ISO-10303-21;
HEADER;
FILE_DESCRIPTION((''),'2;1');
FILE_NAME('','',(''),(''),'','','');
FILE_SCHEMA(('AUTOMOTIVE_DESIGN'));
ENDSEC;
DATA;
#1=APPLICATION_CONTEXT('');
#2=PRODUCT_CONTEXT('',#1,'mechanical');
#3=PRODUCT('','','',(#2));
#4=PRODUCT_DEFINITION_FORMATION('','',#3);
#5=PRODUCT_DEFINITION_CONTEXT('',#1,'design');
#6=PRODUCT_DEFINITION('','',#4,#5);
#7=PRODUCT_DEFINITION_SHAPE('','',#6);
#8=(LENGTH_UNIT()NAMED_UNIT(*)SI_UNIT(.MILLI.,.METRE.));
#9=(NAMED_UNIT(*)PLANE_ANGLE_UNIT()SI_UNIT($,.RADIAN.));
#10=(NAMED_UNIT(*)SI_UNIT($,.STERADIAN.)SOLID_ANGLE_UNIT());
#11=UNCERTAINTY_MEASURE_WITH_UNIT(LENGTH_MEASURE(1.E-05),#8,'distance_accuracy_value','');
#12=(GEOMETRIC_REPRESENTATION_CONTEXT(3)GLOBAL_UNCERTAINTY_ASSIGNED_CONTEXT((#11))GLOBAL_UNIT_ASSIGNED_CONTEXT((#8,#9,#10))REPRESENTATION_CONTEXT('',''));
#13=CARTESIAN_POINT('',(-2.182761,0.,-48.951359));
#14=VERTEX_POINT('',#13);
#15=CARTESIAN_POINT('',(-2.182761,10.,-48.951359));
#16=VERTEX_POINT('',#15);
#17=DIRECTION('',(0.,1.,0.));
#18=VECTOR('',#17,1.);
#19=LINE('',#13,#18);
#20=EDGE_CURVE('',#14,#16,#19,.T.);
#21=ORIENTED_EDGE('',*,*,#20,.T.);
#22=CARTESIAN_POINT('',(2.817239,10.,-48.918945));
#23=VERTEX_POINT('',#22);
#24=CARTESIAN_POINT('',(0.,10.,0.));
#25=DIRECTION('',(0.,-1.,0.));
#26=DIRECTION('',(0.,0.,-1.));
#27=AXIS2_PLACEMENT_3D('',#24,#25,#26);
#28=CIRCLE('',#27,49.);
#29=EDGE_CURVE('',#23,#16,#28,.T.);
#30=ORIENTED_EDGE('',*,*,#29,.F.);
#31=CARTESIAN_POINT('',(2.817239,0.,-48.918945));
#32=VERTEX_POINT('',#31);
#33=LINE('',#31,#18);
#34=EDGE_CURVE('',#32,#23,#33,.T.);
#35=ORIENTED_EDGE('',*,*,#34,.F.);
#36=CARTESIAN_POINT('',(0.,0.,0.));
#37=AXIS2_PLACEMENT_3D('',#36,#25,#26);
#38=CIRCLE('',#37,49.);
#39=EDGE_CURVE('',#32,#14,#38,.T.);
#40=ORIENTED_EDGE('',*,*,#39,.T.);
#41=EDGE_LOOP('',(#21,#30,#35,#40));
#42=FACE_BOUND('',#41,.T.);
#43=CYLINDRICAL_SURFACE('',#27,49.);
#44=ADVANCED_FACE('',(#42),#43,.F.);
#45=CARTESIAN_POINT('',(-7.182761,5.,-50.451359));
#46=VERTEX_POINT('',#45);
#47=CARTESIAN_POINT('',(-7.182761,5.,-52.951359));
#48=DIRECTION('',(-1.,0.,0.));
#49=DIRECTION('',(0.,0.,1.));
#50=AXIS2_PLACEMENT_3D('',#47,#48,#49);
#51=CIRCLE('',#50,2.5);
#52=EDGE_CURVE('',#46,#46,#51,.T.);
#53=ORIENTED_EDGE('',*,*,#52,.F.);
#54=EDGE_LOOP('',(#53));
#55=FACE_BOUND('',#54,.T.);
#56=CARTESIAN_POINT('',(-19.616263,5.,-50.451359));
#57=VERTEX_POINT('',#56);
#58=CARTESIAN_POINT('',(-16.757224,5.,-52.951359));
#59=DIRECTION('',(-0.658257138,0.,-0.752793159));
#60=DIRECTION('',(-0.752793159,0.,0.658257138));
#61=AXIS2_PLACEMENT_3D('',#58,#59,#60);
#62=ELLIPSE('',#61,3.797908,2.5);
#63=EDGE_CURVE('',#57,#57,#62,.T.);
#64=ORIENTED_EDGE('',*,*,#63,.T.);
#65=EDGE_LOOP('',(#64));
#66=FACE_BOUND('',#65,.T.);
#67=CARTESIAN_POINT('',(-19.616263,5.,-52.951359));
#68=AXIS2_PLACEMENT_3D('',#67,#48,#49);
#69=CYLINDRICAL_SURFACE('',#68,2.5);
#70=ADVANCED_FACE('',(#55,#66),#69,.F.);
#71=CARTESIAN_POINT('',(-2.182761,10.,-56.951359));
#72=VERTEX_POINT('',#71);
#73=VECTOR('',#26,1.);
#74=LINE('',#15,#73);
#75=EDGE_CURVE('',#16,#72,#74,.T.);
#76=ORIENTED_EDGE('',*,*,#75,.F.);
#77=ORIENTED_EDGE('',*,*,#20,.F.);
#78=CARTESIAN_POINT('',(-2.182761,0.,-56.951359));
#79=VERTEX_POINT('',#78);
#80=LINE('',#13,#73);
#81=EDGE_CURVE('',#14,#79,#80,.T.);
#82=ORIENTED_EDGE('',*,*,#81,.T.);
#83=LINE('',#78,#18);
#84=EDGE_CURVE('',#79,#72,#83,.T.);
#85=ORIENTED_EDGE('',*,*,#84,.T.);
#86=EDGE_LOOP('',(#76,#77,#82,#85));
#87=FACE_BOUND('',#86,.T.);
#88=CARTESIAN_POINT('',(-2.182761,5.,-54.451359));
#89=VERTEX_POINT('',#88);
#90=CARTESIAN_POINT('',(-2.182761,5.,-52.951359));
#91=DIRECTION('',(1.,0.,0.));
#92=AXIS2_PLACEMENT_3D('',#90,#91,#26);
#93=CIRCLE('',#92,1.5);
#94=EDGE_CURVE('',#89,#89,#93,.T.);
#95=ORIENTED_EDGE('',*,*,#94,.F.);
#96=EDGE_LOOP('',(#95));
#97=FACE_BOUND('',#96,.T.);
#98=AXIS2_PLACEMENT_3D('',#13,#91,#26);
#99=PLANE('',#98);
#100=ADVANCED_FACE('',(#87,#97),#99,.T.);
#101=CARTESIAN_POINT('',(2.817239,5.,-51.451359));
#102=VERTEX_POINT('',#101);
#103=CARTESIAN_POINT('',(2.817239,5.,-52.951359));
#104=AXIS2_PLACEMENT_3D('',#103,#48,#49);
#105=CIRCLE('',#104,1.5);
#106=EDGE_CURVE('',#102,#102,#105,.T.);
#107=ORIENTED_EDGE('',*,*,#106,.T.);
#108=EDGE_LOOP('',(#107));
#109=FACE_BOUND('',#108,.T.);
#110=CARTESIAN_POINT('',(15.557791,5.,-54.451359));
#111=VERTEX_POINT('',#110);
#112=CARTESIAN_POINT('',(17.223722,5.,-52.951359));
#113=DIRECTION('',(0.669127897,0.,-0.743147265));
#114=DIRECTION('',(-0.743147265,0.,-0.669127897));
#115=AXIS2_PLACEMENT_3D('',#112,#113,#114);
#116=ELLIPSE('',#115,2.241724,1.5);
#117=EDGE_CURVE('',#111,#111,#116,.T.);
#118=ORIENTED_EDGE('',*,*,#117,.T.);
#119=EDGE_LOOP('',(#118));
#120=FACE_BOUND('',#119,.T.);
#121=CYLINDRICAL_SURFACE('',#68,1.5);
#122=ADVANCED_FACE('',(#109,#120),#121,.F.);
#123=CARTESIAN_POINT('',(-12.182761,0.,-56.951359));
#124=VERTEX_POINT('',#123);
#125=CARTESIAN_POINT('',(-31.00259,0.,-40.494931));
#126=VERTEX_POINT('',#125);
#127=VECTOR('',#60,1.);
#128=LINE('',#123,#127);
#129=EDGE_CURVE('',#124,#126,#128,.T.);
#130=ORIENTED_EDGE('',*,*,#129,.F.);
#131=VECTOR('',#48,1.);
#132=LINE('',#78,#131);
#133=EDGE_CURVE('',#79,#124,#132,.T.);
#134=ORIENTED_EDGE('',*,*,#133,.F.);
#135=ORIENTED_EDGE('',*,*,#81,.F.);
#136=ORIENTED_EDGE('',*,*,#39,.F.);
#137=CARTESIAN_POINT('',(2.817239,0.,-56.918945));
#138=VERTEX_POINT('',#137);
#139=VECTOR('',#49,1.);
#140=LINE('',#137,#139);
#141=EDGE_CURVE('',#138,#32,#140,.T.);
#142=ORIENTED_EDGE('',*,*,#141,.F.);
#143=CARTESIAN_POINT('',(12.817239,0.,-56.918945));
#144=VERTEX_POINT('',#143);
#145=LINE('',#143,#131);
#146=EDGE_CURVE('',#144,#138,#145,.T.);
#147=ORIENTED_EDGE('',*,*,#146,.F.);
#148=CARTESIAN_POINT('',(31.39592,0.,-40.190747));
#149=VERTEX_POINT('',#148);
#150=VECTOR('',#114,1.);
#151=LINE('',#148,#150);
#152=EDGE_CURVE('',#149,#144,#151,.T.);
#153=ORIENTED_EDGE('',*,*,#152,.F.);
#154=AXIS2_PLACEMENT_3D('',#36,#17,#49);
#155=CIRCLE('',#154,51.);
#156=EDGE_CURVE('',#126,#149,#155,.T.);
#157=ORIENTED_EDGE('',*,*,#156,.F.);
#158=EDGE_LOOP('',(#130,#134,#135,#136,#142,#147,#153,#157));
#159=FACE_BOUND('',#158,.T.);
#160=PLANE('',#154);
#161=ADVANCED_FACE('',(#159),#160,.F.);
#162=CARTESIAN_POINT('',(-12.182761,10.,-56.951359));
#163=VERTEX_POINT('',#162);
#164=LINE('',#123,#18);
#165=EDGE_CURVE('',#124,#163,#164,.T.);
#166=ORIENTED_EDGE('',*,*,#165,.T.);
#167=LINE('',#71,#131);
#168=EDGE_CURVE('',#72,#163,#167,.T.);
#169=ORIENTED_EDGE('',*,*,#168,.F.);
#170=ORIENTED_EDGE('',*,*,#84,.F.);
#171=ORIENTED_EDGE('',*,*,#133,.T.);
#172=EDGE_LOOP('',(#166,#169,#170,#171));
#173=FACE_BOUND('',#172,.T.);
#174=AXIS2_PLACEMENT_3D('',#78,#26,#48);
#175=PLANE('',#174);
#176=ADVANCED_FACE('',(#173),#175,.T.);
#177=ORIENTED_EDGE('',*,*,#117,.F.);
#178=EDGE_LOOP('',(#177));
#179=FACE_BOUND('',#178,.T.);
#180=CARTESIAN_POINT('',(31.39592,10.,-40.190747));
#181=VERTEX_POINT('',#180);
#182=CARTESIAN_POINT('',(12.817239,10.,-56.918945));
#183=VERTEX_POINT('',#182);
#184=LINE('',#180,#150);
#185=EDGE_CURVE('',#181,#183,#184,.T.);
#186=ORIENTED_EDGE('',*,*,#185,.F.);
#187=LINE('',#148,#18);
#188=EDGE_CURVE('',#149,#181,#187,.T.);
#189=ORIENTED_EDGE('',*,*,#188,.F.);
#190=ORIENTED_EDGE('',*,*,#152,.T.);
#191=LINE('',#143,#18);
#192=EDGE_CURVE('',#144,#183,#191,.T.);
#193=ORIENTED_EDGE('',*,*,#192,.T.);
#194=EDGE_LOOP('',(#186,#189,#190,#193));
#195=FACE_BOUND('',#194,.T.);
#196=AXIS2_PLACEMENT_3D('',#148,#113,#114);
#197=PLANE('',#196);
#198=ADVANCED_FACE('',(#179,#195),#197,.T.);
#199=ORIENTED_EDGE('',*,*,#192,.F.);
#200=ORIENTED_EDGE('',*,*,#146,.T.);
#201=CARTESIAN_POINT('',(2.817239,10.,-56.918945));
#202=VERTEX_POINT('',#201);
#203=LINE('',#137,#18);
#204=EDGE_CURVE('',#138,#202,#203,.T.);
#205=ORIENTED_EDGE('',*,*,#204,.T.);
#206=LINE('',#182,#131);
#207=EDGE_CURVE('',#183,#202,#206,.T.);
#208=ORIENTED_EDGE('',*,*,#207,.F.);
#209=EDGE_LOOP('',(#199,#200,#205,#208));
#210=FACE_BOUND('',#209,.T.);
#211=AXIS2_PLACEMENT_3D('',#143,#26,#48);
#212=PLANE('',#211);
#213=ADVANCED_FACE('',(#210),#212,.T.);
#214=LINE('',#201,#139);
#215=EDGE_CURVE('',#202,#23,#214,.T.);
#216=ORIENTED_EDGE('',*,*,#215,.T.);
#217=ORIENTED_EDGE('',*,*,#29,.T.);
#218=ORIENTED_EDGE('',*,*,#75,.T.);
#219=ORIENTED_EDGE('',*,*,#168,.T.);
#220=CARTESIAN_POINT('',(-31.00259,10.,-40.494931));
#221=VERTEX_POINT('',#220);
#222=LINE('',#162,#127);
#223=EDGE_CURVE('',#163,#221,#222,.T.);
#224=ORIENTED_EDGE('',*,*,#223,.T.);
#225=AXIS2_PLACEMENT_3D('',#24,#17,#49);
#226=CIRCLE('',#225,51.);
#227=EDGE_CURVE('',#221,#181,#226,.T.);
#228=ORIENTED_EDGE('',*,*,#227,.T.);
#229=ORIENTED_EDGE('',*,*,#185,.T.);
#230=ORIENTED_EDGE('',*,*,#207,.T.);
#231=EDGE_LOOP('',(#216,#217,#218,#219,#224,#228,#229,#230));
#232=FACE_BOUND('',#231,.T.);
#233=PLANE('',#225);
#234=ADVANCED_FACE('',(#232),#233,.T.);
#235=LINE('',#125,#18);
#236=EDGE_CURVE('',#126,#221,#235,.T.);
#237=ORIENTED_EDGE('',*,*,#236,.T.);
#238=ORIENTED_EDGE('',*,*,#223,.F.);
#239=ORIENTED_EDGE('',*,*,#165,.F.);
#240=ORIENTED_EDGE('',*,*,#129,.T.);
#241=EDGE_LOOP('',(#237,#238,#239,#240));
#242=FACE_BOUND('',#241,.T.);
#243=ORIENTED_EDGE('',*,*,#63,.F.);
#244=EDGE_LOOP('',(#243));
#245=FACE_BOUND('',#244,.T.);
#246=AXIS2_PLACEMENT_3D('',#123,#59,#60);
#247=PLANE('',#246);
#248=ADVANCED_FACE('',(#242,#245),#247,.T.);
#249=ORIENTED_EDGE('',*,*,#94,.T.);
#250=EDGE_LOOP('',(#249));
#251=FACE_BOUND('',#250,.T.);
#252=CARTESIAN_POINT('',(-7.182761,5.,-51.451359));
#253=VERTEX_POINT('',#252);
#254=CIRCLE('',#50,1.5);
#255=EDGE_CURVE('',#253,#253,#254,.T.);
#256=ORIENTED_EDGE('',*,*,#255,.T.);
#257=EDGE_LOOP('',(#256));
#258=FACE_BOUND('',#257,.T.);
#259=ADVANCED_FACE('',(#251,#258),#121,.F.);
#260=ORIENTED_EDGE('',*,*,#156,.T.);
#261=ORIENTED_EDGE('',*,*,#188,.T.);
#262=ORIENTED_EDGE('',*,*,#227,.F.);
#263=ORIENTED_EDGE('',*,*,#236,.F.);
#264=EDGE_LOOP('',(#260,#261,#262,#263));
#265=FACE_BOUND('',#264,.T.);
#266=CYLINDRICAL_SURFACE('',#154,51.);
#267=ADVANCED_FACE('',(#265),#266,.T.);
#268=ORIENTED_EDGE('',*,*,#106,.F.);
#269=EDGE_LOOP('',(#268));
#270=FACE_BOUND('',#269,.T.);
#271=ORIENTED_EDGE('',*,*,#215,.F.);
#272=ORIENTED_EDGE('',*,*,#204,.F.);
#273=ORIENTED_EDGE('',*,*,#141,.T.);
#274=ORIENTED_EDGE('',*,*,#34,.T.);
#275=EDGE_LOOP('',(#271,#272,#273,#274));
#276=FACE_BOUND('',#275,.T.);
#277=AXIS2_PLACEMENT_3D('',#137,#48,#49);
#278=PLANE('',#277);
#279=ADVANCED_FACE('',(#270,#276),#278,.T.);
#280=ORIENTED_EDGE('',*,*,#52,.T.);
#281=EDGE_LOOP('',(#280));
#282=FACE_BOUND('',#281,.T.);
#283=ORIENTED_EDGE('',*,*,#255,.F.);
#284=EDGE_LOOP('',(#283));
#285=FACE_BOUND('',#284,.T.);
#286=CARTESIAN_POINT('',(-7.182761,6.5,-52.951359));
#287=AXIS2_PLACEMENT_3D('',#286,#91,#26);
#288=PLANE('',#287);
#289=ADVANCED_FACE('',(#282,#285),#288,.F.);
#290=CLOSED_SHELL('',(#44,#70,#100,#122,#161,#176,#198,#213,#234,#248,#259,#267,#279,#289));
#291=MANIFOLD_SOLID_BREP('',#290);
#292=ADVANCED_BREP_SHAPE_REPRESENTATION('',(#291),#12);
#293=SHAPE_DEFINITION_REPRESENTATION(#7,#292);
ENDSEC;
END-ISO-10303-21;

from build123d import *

# Parameters (mm, degrees)
BOSS_EXTRUDE1_DEPTH                                = 10
SKETCH2_W                                          = 49
SKETCH2_H                                          = 10
SKETCH3_W                                          = 1.25
SKETCH3_H                                          = 48.182761149
CBORE_FOR_M2_5_HEX_HEAD_MACHINE_SCREW1_D           = 3
CBORE_FOR_M2_5_HEX_HEAD_MACHINE_SCREW1_DEPTH       = 70.616262821
CBORE_FOR_M2_5_HEX_HEAD_MACHINE_SCREW1_CBORE_D     = 5
CBORE_FOR_M2_5_HEX_HEAD_MACHINE_SCREW1_CBORE_DEPTH = 12.433501671


with BuildPart() as part:
    # Sketch1 → Boss-Extrude1 (new body)
    with BuildSketch(Plane(origin=(0, 10, 0), x_dir=(1, 0, 0), z_dir=(0, 1, 0))):
        with BuildLine():
            Line((2.817238851, 56.91894485), (2.817238851, 48.91894485))
            ThreePointArc((2.817238851, 48.91894485), (0.317652576, 48.998970365), (-2.182761149, 48.951359059))
            Line((-2.182761149, 48.951359059), (-2.182761149, 56.951359059))
            Line((-2.182761149, 56.951359059), (-12.182761149, 56.951359059))
            Line((-12.182761149, 56.951359059), (-31.002590128, 40.494930613))
            ThreePointArc((-31.002590128, 40.494930613), (-0.248614246, -50.999394025), (31.395920468, 40.190747417))
            Line((31.395920468, 40.190747417), (12.817238851, 56.91894485))
            Line((12.817238851, 56.91894485), (2.817238851, 56.91894485))
        make_face()
    extrude(amount=-BOSS_EXTRUDE1_DEPTH)

    # Sketch2 → Cut-Revolve1 (revolve, cut)
    with BuildSketch(Plane.XY):
        with Locations((24.5, 5)):
            Rectangle(SKETCH2_W, SKETCH2_H)
    revolve(axis=Axis((0, 10, 0), (0, -1, 0)), mode=Mode.SUBTRACT)

    # Sketch3 → Ø2.5 (2.5) Diameter Hole1 (revolve, cut)
    with BuildSketch(Plane(origin=(2.817238851, 5, -52.91894485), x_dir=(0, 0, 1), z_dir=(0, 1, 0))):
        with Locations((0.625, 24.091380575)):
            Rectangle(SKETCH3_W, SKETCH3_H)
    revolve(axis=Axis((-3.532761149, 5, -52.91894485), (1, 0, 0)), mode=Mode.SUBTRACT)

    # CBORE for M2.5 Hex Head Machine Screw1
    with Locations(Plane.ZY.offset(19.616262821)):
        with Locations((-52.951359059, 5)):
            CounterBoreHole(CBORE_FOR_M2_5_HEX_HEAD_MACHINE_SCREW1_D / 2, CBORE_FOR_M2_5_HEX_HEAD_MACHINE_SCREW1_CBORE_D / 2, CBORE_FOR_M2_5_HEX_HEAD_MACHINE_SCREW1_CBORE_DEPTH, depth=CBORE_FOR_M2_5_HEX_HEAD_MACHINE_SCREW1_DEPTH)


solid = part.part
